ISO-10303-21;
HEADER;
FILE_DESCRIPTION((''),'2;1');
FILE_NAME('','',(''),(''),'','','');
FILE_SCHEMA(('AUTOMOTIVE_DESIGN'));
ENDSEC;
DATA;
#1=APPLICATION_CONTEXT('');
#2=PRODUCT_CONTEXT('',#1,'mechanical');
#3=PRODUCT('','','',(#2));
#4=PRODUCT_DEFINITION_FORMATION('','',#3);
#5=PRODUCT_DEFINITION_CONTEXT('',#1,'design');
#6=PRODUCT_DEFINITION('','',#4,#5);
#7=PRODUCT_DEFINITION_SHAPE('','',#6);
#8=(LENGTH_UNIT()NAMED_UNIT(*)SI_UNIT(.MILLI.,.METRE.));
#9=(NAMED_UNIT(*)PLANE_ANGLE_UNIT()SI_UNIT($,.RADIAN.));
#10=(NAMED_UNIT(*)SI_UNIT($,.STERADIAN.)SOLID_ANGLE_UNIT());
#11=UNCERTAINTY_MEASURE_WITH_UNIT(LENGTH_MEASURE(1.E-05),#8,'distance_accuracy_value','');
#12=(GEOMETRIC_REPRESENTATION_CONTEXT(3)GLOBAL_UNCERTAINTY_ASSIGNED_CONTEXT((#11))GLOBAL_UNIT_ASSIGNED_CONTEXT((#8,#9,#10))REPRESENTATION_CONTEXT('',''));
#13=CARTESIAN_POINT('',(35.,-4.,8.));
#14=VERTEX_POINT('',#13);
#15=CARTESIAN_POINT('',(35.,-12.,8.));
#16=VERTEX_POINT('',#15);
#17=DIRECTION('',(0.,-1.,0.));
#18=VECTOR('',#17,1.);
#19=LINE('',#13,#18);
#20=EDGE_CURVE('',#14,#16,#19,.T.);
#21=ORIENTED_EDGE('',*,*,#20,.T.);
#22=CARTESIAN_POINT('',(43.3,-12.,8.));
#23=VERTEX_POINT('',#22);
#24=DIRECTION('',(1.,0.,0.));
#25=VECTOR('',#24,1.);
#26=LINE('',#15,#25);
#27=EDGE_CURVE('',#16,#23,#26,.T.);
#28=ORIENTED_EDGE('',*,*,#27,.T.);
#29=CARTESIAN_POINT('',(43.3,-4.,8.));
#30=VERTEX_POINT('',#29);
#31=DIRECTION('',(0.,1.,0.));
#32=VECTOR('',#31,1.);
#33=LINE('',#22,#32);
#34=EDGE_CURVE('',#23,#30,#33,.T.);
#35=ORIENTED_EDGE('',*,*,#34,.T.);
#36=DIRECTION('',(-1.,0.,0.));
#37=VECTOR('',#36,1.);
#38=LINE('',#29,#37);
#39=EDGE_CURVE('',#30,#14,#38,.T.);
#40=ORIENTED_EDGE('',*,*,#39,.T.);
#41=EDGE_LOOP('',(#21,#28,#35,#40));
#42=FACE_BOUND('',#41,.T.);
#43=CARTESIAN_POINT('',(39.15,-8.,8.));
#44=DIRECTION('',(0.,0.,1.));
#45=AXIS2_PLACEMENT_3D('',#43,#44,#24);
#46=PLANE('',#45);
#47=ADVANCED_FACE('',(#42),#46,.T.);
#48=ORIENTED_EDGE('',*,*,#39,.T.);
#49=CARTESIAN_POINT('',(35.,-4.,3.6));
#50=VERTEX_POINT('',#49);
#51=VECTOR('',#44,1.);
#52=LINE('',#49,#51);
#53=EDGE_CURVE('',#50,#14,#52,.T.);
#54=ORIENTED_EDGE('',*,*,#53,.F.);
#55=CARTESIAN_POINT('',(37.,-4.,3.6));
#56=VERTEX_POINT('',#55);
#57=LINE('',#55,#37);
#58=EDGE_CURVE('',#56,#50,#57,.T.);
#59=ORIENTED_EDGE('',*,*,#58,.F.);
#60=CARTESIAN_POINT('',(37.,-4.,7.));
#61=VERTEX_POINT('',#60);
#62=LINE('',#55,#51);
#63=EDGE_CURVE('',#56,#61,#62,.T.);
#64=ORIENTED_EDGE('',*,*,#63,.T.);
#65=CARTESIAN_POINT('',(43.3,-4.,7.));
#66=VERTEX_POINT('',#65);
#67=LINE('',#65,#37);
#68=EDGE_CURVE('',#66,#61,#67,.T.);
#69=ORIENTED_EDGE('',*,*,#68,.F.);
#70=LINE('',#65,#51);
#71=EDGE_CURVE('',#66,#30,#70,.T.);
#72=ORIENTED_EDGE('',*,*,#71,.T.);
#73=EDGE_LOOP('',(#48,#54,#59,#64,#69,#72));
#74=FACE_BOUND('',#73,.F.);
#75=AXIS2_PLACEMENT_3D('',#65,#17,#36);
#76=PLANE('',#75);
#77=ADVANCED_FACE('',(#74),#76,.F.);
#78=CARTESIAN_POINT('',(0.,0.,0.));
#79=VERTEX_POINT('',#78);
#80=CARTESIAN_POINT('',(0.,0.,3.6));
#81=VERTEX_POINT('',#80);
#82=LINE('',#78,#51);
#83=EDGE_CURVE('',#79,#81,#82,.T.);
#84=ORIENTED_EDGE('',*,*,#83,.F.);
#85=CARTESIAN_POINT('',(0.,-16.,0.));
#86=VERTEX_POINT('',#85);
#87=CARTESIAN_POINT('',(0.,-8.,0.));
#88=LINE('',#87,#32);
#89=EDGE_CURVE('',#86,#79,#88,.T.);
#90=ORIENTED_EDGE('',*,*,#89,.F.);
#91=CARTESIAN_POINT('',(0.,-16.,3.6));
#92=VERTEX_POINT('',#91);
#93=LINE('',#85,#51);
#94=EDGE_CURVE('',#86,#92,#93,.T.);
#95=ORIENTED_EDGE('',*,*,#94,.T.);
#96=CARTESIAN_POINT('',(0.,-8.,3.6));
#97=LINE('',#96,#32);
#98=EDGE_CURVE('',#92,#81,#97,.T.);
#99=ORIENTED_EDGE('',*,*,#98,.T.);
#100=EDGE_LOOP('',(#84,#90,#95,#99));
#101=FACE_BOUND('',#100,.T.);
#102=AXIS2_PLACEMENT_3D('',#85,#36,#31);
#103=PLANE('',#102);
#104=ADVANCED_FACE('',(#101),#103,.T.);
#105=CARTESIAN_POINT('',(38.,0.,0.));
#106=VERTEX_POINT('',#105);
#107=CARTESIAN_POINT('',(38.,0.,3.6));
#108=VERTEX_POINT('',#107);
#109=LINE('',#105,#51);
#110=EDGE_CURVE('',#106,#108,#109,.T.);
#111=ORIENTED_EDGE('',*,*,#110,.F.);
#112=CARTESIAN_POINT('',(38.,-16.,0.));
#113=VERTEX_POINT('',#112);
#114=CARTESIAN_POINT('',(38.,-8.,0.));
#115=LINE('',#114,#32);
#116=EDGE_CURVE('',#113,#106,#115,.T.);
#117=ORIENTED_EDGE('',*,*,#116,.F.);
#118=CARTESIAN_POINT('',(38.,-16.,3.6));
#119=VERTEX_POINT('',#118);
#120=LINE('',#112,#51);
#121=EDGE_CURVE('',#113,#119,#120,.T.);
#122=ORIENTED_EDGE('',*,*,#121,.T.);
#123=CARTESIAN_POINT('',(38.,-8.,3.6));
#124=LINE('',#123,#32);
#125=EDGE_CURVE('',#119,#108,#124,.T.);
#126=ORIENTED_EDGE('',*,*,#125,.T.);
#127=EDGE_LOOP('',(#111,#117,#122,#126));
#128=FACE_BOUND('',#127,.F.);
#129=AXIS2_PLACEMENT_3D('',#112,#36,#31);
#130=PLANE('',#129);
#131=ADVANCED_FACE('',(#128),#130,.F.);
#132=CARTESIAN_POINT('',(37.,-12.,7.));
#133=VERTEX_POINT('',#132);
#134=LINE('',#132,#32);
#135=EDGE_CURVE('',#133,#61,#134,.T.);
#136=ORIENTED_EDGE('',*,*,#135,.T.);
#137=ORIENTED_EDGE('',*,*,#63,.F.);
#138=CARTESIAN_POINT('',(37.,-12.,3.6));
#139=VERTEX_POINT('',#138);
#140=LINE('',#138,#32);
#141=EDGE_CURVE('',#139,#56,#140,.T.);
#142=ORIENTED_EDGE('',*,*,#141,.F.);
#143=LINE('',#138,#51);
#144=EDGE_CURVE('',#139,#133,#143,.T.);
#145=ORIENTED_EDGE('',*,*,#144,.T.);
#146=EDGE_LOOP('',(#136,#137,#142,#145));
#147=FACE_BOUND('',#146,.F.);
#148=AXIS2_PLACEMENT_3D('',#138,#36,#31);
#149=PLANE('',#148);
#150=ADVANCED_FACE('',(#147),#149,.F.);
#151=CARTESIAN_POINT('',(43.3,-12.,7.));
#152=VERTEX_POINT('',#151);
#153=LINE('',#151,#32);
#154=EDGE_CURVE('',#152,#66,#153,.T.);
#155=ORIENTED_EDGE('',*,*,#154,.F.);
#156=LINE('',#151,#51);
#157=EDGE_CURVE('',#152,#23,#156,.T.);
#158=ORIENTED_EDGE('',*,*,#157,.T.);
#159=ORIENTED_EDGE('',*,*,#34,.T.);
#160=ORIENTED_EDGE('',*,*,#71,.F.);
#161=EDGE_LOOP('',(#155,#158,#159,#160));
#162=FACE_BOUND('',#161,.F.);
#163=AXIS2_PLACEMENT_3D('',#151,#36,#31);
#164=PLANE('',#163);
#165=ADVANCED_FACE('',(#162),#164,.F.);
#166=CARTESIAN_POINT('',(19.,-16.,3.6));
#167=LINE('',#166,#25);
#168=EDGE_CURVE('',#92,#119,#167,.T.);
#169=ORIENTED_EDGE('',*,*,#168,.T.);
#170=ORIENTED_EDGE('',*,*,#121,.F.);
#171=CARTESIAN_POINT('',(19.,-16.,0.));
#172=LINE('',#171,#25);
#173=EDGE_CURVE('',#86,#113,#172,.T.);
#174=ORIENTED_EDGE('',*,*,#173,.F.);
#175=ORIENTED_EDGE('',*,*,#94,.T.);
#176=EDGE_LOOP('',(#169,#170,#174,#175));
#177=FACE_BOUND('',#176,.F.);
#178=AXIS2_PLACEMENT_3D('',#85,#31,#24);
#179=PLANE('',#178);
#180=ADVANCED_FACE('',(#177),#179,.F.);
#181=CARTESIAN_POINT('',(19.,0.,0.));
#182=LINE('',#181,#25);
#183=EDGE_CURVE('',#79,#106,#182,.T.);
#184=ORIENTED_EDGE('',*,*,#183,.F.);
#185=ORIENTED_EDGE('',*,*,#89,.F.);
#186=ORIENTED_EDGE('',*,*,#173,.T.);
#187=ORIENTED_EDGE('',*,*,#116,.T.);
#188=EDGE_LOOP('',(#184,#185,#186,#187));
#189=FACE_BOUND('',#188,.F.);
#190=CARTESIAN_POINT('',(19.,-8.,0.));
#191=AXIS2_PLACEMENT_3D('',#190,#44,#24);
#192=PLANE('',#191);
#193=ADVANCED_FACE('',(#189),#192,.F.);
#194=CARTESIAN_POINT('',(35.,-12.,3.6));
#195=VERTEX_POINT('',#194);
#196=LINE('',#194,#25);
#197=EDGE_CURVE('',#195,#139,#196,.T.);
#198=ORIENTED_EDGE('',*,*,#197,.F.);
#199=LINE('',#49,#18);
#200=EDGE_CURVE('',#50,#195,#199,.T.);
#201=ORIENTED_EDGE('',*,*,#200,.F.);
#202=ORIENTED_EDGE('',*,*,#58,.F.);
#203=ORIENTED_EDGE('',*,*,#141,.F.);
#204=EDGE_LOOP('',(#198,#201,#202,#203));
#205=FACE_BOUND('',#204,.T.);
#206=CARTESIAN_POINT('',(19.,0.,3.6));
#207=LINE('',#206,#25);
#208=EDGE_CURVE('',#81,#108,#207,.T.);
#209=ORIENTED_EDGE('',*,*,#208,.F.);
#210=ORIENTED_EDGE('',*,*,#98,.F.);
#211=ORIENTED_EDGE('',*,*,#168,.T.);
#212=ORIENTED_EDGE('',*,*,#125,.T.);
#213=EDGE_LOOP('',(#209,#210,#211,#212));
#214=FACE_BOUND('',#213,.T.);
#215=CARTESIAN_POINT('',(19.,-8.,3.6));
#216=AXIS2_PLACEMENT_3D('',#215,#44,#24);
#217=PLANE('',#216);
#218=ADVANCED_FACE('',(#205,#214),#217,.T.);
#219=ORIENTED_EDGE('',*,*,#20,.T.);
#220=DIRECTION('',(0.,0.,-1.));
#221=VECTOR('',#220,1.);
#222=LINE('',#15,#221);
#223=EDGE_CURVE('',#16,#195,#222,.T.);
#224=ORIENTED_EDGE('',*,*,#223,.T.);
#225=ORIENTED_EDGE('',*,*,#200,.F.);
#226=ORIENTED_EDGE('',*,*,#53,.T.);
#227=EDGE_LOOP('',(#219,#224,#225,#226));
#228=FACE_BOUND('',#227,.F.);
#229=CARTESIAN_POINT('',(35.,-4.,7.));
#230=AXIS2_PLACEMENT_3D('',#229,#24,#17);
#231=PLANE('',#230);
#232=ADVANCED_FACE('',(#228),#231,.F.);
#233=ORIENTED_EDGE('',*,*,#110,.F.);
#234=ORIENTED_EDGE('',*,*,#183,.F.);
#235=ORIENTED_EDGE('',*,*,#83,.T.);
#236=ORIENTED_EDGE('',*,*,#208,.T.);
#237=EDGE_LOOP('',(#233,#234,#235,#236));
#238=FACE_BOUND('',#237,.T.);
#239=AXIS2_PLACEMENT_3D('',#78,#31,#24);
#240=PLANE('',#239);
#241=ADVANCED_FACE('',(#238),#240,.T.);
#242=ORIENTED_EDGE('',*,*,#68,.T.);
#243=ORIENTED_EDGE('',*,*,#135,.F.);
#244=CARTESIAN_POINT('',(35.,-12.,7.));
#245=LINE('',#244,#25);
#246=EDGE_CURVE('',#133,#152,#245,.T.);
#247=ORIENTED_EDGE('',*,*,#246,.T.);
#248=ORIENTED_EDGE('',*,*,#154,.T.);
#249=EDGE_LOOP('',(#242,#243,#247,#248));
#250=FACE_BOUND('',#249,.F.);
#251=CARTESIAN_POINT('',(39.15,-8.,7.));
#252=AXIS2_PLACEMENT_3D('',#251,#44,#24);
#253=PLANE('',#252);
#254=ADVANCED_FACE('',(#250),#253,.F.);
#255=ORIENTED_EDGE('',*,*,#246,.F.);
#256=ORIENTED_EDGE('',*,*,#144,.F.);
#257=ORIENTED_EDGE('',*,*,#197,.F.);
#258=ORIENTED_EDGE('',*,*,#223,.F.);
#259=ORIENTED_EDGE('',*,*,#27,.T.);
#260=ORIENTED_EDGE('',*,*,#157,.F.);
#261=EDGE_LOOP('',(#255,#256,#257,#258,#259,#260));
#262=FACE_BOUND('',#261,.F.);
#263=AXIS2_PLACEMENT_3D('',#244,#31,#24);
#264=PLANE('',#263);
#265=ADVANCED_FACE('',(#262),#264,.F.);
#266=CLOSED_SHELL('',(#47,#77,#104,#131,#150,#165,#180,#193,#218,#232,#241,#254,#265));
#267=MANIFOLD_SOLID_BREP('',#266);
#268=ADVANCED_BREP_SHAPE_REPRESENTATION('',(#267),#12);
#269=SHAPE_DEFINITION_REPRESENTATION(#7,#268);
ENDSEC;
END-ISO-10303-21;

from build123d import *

# Parameters (mm, degrees)
F0_W     = 38
F0_H     = 16
F1_DEPTH = 3.6
F4_DEPTH = 3.4
F7_DEPTH = 1


with BuildPart() as f1:
    # F0 (on Top) → F1 (new body)
    with BuildSketch(Plane.XY):
        with Locations((19, -8)):
            Rectangle(F0_W, F0_H)
    extrude(amount=F1_DEPTH)

    # F3 (on offset) → F4 (join)
    with BuildSketch(Plane.XY.offset(3.6)):
        Polygon((37, -4), (35, -4), (35, -12), (37, -12), (37, -8), align=None)
    extrude(amount=F4_DEPTH)

    # F6 (on offset) → F7 (join)
    with BuildSketch(Plane.XY.offset(7)):
        Polygon((43.3, -12), (43.3, -8), (43.3, -4), (35, -4), (35, -12), align=None)
    extrude(amount=F7_DEPTH)


solid = f1.part
